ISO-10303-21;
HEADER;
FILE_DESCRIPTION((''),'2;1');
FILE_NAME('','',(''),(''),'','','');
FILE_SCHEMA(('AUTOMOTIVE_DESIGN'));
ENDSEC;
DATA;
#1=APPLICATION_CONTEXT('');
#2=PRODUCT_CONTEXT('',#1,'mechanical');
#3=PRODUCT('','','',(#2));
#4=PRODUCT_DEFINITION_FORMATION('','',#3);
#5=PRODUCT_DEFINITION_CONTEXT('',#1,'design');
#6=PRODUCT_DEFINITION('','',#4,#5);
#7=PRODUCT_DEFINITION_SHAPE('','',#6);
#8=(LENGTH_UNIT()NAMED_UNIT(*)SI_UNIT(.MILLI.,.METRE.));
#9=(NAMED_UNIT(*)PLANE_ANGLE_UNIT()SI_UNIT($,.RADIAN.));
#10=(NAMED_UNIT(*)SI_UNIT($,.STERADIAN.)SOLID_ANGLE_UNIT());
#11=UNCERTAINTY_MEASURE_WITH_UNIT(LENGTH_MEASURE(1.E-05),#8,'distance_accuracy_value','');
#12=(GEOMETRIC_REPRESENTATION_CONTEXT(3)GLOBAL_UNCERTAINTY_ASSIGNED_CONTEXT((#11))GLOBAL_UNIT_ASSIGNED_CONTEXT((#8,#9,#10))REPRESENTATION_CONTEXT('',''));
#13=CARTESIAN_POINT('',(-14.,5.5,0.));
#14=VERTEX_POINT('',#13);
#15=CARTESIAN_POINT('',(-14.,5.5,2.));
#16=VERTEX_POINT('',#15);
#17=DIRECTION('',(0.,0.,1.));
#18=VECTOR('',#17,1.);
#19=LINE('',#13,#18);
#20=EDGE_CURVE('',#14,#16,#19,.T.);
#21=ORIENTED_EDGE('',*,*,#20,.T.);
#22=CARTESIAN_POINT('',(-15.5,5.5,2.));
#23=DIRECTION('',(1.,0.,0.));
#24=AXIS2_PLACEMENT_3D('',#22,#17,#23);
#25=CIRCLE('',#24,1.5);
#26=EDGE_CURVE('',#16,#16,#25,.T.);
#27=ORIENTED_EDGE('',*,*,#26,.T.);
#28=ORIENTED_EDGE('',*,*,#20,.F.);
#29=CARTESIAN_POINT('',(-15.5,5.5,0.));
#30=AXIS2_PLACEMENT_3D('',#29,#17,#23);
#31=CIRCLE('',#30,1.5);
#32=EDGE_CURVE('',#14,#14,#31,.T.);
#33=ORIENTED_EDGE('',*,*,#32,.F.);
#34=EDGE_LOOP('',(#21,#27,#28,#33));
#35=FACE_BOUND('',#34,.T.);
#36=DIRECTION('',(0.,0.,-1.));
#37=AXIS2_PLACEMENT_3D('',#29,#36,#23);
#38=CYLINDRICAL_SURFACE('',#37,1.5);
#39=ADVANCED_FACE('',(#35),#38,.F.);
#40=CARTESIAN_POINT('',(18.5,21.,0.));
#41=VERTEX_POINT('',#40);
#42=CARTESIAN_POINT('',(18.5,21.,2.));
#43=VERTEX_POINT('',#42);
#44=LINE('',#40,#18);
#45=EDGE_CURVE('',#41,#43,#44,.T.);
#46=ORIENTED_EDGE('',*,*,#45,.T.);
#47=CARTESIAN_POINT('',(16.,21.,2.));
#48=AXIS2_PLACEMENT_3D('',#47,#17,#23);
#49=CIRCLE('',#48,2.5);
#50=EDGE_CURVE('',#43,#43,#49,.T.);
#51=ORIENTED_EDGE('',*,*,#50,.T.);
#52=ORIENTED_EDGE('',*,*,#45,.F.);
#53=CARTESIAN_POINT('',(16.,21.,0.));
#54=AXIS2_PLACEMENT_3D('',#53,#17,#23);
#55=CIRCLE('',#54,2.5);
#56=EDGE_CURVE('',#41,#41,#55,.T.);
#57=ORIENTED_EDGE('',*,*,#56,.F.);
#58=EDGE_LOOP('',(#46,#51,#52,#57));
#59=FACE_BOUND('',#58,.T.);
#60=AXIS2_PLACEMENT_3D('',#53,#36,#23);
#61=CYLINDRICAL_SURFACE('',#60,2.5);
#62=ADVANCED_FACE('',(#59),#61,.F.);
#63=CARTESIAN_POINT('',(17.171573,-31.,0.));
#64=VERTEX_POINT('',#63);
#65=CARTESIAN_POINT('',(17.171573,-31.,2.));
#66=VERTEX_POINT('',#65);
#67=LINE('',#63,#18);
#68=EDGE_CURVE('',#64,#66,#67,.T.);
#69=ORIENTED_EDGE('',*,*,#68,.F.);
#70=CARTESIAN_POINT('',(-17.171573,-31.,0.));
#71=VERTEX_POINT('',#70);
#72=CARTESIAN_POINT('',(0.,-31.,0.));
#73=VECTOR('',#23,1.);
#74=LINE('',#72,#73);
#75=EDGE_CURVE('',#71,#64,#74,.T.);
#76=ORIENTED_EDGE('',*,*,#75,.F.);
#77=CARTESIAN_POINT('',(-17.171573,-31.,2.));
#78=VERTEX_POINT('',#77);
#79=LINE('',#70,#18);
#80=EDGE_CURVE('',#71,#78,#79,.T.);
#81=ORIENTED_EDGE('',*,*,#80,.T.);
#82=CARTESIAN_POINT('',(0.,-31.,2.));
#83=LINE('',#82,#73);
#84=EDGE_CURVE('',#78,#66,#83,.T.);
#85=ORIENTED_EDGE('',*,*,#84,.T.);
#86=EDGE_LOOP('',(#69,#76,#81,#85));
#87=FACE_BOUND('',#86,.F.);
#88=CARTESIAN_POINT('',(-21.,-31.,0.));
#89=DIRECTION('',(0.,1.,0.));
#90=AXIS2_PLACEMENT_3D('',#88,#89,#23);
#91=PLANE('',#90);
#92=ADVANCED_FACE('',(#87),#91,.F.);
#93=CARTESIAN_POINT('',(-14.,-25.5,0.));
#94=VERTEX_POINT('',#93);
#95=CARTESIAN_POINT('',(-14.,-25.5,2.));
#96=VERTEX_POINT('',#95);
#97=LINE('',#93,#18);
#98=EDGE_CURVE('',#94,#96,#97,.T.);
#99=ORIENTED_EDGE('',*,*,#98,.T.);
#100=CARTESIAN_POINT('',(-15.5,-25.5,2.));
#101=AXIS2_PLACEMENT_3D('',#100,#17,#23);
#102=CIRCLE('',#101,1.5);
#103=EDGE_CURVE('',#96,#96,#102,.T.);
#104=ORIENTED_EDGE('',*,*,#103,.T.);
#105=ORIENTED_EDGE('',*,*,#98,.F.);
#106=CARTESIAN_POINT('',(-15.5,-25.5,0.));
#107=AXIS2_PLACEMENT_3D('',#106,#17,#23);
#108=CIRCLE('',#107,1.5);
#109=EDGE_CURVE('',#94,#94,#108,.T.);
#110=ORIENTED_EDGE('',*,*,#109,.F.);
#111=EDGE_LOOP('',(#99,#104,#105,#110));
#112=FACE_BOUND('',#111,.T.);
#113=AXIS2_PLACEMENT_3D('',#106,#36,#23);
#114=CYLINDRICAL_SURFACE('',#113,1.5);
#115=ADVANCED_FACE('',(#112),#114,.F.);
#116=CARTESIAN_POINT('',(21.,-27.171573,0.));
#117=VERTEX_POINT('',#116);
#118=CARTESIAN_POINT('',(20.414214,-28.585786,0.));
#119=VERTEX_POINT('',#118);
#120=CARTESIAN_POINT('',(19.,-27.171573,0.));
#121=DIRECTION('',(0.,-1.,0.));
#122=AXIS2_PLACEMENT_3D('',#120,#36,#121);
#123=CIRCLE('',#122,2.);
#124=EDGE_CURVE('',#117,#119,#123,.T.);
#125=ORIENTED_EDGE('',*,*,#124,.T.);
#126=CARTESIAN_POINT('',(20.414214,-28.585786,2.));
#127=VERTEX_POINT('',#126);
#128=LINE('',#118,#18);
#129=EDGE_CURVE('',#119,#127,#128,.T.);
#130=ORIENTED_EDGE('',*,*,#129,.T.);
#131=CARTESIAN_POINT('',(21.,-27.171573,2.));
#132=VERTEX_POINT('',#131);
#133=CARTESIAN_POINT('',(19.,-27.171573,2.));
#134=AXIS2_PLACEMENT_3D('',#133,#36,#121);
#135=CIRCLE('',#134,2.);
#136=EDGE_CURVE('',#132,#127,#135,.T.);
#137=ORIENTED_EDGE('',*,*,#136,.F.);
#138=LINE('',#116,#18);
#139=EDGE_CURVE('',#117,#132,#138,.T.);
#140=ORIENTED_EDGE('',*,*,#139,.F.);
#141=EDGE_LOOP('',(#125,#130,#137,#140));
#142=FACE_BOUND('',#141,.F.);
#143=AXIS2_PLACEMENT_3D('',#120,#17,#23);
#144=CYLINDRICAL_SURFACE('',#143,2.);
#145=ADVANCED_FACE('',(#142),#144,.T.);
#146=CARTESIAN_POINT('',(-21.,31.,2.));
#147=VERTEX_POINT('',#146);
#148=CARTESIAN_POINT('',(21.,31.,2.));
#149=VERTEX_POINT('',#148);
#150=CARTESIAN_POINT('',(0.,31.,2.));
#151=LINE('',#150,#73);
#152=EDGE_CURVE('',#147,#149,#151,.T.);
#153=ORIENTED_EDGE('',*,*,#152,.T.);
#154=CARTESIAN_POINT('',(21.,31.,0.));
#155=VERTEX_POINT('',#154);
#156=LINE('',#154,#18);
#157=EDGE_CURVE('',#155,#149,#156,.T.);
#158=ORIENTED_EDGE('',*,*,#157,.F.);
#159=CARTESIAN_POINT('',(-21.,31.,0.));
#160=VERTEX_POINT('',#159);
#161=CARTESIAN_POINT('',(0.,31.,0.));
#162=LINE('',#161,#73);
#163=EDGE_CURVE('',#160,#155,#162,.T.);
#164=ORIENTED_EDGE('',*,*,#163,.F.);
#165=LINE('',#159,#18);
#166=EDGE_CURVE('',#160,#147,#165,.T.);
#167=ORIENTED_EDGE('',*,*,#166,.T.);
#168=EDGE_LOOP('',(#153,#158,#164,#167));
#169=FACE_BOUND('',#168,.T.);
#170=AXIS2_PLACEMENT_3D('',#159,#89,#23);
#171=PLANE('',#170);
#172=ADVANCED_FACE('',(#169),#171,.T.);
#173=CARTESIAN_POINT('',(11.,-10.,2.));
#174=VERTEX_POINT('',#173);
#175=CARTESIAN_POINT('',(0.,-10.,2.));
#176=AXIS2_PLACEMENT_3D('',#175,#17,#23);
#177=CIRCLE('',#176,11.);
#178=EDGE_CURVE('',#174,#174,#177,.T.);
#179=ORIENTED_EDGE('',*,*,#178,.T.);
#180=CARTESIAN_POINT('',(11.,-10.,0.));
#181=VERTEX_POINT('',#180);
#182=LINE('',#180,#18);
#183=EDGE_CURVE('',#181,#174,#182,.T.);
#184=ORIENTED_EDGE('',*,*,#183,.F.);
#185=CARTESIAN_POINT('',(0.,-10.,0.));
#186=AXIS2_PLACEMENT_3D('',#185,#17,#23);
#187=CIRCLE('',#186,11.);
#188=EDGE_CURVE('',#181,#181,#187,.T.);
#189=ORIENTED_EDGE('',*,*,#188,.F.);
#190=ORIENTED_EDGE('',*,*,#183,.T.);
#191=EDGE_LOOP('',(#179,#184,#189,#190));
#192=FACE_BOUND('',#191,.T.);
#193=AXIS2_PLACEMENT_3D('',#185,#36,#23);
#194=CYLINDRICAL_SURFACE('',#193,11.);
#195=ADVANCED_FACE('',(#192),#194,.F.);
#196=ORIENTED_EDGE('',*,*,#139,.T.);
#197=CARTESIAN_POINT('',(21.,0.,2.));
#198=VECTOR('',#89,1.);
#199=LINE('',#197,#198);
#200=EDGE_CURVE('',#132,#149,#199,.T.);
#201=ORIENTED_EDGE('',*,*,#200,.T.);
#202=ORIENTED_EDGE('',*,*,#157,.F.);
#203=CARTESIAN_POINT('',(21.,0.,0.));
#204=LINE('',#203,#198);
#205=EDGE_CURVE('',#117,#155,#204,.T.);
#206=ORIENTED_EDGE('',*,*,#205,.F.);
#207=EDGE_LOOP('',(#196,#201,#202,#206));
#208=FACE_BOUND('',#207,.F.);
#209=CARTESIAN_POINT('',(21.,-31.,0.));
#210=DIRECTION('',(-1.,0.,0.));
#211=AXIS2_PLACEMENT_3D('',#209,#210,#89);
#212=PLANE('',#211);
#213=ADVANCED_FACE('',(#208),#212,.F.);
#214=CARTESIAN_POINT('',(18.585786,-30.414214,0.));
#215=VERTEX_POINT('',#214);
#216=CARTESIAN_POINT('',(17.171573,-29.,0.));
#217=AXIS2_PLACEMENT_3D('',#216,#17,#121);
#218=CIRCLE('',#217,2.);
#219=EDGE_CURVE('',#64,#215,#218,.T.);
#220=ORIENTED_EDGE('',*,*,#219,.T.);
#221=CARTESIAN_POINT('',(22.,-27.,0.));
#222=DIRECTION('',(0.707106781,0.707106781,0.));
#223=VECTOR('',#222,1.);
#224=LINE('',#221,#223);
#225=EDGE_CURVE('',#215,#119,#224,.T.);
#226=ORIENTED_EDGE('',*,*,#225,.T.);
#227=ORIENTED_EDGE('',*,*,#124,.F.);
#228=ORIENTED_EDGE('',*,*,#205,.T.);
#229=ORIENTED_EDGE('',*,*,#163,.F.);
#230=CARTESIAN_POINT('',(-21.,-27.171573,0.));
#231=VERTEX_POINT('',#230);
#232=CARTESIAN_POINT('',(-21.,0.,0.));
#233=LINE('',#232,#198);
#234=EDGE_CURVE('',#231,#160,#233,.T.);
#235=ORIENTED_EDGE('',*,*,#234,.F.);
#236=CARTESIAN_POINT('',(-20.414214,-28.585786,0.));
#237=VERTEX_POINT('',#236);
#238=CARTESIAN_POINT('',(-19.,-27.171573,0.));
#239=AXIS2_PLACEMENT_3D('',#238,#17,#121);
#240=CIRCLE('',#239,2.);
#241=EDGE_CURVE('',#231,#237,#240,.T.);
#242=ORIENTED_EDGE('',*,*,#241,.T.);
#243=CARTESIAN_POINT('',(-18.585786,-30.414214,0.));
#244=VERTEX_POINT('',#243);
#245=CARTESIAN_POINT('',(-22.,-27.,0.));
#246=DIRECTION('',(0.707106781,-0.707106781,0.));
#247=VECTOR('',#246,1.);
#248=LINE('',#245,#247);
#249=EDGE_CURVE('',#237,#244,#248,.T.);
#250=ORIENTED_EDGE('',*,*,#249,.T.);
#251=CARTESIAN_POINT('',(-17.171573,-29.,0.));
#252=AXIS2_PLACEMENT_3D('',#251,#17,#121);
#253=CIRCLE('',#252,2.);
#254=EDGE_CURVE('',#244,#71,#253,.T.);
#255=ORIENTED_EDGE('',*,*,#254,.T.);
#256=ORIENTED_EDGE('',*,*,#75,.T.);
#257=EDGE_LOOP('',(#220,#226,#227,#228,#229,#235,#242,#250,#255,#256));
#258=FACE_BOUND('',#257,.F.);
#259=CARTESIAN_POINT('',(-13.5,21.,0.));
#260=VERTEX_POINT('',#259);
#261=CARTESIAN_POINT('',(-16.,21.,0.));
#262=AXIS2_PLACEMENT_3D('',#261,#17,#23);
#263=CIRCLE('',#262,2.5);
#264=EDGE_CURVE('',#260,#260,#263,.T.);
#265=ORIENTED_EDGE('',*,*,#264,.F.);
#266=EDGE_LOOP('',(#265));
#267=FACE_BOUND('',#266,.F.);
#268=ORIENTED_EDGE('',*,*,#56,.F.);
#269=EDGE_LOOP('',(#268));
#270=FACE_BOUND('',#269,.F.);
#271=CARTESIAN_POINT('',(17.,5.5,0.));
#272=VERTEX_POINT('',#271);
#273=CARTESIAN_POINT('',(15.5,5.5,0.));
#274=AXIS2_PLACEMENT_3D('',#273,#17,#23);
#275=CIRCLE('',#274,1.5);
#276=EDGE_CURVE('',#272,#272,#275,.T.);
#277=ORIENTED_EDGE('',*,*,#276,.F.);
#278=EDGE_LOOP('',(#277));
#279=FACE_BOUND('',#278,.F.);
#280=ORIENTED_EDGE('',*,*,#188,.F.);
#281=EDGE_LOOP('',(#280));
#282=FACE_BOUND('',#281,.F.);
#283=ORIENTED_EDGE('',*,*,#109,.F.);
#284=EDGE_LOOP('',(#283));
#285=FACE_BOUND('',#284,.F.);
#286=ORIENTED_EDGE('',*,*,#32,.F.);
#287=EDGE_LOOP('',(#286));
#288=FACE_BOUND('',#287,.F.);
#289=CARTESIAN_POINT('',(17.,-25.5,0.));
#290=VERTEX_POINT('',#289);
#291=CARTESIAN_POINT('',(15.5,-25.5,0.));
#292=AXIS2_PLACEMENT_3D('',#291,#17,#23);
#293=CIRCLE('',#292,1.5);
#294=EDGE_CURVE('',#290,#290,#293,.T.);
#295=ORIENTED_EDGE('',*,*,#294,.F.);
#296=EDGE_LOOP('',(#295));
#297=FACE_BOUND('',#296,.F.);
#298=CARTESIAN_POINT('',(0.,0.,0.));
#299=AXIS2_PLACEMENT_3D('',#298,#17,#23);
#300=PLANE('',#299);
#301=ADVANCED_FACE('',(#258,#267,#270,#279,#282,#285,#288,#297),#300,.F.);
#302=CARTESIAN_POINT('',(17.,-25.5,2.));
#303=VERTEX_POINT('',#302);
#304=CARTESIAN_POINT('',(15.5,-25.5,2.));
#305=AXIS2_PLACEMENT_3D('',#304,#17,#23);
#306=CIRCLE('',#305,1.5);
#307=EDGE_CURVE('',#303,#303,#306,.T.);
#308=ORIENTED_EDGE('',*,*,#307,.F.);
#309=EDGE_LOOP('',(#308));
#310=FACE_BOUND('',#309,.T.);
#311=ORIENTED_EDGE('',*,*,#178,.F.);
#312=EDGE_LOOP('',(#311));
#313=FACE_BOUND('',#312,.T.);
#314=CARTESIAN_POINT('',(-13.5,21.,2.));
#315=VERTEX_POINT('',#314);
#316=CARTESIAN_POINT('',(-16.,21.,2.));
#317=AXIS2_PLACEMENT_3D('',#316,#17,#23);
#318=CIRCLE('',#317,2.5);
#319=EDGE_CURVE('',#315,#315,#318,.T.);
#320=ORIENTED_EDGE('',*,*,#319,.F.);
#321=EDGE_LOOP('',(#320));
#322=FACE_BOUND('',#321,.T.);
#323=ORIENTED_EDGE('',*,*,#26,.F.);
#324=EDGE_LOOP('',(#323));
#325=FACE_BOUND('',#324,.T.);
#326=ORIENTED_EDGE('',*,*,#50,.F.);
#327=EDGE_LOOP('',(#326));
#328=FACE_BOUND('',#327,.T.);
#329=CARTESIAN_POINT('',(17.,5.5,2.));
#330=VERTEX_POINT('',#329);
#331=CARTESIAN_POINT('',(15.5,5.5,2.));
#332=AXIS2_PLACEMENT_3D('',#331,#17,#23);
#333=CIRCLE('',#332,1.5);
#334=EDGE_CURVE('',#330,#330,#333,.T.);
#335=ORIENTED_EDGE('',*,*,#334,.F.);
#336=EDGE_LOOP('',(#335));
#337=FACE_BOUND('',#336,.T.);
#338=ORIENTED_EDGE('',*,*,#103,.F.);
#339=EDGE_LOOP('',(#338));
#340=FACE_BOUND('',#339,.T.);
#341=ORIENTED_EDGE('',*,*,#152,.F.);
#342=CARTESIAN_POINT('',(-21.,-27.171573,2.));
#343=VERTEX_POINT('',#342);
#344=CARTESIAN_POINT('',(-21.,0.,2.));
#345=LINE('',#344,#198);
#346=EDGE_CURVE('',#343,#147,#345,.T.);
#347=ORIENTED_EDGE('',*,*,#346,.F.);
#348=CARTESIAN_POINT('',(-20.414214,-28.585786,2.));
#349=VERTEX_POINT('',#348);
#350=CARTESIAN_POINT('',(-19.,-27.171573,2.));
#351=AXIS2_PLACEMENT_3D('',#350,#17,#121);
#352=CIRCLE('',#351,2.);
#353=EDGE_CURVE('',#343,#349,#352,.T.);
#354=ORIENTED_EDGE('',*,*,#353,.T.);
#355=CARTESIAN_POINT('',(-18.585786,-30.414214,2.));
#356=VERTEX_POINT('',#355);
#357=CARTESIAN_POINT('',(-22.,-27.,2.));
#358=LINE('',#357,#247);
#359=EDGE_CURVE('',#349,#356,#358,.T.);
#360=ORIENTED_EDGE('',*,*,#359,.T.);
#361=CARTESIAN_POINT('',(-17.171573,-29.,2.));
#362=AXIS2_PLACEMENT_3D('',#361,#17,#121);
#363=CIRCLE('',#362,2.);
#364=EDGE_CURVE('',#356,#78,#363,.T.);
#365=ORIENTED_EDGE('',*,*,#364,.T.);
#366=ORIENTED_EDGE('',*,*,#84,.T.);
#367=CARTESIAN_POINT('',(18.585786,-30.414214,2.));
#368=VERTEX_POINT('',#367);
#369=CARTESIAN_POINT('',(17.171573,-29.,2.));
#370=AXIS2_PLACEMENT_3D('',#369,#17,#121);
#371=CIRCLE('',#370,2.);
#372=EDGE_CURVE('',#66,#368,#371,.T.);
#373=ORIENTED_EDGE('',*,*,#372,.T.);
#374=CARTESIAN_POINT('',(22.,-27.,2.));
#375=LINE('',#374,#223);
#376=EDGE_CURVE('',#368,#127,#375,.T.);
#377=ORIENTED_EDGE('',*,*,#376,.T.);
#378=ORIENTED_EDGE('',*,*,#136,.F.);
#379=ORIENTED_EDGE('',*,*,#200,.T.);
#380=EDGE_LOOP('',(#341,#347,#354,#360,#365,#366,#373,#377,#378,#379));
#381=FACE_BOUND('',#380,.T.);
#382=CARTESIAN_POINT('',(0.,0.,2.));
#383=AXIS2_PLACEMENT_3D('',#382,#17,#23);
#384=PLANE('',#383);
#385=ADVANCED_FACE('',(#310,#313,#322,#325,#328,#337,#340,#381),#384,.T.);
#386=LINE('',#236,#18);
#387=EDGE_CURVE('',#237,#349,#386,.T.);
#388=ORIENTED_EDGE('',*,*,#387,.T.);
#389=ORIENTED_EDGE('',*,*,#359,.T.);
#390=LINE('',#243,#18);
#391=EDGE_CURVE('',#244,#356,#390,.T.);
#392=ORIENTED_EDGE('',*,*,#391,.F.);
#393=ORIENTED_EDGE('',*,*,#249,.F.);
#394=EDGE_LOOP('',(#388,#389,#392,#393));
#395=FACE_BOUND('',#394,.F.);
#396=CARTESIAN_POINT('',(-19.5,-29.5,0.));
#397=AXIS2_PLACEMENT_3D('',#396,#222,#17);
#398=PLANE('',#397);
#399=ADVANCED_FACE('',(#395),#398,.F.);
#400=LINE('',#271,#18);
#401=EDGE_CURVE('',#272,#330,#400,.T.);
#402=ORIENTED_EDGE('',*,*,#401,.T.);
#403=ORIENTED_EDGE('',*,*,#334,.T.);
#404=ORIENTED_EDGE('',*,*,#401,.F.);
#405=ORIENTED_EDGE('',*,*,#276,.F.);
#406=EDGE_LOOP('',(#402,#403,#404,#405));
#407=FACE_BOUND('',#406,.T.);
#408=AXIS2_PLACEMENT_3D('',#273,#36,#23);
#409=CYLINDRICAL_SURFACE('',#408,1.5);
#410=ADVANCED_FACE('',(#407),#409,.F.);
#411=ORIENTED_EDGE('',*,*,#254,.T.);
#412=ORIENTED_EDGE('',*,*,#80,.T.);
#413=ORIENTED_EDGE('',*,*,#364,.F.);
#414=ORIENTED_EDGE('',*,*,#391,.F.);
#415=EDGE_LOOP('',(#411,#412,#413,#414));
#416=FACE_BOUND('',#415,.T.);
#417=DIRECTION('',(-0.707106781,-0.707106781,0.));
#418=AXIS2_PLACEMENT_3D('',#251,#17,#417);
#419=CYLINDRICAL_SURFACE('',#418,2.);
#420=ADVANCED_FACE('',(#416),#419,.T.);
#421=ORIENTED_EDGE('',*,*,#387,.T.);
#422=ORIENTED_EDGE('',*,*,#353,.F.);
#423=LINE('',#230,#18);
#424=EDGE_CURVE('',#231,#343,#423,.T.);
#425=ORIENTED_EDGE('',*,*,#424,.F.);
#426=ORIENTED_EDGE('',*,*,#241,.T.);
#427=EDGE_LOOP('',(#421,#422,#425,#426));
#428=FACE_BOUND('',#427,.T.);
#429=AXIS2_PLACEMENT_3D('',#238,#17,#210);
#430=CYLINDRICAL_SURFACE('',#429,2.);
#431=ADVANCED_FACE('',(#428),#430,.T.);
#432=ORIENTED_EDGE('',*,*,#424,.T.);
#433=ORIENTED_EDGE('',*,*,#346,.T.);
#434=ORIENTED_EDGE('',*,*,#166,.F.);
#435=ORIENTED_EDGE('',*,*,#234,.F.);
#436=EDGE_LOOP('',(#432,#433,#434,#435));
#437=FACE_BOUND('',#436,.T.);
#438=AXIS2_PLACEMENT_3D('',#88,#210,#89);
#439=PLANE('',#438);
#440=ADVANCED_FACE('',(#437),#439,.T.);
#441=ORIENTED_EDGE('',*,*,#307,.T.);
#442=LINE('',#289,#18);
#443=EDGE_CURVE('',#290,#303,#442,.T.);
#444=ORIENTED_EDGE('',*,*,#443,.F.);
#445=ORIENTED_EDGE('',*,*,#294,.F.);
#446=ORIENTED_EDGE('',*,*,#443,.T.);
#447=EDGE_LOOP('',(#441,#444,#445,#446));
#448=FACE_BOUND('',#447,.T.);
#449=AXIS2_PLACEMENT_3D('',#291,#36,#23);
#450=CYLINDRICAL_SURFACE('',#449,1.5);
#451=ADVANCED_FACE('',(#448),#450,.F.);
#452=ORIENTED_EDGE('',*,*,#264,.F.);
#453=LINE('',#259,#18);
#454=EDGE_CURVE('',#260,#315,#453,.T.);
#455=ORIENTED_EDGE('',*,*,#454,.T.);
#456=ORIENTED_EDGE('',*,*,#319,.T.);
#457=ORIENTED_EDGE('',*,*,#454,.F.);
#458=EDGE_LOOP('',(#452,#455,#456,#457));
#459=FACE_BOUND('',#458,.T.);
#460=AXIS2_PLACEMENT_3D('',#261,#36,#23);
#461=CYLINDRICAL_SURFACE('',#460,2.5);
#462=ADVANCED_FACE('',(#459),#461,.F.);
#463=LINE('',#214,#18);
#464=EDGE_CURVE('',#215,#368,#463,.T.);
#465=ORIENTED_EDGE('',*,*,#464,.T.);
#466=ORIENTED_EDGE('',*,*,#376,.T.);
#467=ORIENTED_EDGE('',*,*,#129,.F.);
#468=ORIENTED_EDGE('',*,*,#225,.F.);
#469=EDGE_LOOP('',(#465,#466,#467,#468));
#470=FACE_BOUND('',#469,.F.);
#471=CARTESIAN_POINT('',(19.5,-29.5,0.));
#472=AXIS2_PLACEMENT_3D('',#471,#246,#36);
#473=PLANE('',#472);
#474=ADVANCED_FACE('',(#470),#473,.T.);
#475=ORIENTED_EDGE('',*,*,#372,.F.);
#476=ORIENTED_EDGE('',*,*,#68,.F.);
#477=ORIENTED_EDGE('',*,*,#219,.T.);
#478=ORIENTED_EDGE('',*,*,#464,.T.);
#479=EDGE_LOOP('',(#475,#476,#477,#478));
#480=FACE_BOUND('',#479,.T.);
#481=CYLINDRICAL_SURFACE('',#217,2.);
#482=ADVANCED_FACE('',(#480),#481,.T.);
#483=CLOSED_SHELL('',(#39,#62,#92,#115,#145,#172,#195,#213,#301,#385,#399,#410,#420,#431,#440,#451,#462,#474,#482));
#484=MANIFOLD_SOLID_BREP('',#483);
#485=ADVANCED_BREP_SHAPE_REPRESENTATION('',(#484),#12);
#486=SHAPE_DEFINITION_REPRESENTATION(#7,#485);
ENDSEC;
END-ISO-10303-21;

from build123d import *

# Parameters (mm, degrees)
F0_W     = 42
F0_H     = 62
F0_R     = 1.5
F0_R_2   = 11
F0_R_3   = 2.5
F1_DEPTH = 2
F2_SIZE  = 3
F3_R     = 2


with BuildPart() as f1:
    # F0 (on Top) → F1 (new body)
    with BuildSketch(Plane.XY):
        Rectangle(F0_W, F0_H)
        with Locations((-15.5, -25.5)):
            Circle(F0_R, mode=Mode.SUBTRACT)
        with Locations((15.5, -25.5)):
            Circle(F0_R, mode=Mode.SUBTRACT)
        with Locations((0, -10)):
            Circle(F0_R_2, mode=Mode.SUBTRACT)
        with Locations((-15.5, 5.5)):
            Circle(F0_R, mode=Mode.SUBTRACT)
        with Locations((-16, 21)):
            Circle(F0_R_3, mode=Mode.SUBTRACT)
        with Locations((15.5, 5.5)):
            Circle(F0_R, mode=Mode.SUBTRACT)
        with Locations((16, 21)):
            Circle(F0_R_3, mode=Mode.SUBTRACT)
    extrude(amount=F1_DEPTH)

    # F2
    f2_edges = [f1.edges().sort_by_distance(p)[0] for p in [
        (-21, -31, 1),
        (21, -31, 1),
    ]]
    chamfer(f2_edges, length=F2_SIZE)

    # F3
    f3_edges = [f1.edges().sort_by_distance(p)[0] for p in [
        (-18, -31, 1),
        (18, -31, 1),
        (21, -28, 1),
        (-21, -28, 1),
    ]]
    fillet(f3_edges, radius=F3_R)


solid = f1.part
